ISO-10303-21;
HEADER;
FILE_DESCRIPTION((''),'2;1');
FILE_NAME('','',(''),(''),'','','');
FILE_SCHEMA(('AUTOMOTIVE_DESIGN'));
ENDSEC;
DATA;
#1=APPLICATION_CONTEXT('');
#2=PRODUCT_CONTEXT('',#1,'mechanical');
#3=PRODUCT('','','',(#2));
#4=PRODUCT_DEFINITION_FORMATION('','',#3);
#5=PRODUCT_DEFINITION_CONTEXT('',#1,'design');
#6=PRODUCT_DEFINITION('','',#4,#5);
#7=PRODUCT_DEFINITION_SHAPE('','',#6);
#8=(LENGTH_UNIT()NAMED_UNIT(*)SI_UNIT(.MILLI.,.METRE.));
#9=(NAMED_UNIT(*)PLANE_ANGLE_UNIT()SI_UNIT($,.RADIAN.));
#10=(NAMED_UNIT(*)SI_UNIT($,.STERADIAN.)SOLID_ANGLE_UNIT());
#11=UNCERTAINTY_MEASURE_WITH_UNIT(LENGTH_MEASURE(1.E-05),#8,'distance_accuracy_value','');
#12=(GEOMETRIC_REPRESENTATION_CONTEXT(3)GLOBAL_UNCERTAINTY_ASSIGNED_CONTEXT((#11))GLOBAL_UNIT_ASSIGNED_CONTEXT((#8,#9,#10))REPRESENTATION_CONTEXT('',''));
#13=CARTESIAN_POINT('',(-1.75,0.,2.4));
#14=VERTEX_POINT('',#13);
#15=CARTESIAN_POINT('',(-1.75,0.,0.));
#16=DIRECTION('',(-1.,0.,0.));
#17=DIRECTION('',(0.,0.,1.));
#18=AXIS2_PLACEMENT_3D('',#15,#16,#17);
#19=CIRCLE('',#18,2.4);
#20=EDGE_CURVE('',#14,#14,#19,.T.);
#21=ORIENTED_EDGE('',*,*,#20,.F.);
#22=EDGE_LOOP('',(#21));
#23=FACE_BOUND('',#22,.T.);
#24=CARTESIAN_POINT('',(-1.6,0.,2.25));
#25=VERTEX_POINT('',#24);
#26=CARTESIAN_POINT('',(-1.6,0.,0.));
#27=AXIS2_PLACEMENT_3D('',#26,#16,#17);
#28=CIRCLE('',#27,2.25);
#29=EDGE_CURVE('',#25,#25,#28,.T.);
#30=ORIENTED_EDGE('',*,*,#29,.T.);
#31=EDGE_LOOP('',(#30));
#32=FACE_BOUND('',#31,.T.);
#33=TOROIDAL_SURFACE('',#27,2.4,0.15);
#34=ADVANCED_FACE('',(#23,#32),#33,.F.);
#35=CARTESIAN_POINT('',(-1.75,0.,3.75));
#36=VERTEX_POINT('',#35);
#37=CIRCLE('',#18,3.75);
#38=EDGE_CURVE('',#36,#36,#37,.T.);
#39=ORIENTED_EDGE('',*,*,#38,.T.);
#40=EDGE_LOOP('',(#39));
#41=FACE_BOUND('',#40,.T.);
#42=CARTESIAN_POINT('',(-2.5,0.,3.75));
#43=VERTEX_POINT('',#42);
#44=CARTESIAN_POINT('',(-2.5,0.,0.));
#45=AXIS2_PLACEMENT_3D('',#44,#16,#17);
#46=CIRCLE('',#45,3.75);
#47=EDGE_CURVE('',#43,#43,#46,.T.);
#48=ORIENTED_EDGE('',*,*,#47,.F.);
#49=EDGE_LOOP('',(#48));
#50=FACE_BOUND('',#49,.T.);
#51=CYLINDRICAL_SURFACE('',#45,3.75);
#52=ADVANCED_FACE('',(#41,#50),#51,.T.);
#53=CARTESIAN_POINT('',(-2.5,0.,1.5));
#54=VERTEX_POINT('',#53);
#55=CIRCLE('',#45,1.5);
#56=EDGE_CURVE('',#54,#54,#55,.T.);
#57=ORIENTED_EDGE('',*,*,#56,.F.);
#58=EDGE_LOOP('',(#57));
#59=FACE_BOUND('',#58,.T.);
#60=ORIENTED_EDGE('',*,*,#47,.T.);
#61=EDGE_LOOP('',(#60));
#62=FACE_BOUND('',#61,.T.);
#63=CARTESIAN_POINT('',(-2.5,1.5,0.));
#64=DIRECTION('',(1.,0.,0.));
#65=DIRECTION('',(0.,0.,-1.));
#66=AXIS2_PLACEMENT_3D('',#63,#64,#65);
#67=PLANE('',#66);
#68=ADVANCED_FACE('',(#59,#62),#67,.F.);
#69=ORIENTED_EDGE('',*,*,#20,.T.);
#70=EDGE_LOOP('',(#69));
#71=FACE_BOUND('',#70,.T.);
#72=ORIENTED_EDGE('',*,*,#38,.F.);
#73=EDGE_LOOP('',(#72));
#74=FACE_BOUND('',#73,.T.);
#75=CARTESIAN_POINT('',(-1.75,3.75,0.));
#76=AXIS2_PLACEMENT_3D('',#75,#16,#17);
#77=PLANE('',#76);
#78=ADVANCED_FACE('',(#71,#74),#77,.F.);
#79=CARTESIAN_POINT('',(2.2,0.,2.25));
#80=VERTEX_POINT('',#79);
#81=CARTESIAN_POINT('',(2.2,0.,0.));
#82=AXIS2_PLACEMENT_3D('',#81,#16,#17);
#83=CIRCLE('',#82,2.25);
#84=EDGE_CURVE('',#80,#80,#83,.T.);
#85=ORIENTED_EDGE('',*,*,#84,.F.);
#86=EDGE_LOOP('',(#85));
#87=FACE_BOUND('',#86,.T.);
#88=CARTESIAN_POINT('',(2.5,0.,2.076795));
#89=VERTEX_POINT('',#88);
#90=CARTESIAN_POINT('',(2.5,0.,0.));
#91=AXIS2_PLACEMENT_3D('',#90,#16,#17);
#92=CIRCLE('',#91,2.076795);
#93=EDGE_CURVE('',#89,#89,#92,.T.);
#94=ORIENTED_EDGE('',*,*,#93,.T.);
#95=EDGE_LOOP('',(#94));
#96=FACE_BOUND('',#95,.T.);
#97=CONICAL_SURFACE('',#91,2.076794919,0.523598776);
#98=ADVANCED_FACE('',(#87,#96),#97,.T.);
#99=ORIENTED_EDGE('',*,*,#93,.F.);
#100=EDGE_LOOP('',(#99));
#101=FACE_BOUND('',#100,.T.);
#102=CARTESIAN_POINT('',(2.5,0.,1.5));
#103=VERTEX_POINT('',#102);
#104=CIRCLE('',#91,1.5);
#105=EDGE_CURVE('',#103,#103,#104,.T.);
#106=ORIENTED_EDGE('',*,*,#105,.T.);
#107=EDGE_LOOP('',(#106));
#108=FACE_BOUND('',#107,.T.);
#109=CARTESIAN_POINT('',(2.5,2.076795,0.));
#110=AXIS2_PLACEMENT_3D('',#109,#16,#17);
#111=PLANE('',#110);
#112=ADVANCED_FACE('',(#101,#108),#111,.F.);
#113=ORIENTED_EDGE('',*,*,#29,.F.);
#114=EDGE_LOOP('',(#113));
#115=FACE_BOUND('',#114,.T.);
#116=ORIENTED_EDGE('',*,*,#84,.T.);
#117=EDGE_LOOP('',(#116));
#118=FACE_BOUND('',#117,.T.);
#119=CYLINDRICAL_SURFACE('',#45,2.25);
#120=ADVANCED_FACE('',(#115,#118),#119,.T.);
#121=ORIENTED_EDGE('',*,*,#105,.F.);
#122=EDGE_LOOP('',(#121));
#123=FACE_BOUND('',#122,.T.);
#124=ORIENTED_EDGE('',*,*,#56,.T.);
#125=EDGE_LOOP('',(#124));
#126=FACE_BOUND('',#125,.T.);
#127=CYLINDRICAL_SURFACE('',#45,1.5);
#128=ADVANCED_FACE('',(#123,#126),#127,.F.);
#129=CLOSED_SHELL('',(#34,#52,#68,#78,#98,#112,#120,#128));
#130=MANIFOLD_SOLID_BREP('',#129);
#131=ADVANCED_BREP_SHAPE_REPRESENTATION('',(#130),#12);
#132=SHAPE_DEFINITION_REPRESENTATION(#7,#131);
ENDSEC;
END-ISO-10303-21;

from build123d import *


with BuildPart() as part:
    # Sketch3 → Revolve1 (revolve)
    with BuildSketch(Plane.XY, mode=Mode.PRIVATE) as revolve1_sk:
        with BuildLine():
            Line((-1.6, 2.25), (2.2, 2.25))
            Line((2.2, 2.25), (2.5, 2.076794919))
            Line((2.5, 2.076794919), (2.5, 1.5))
            Line((2.5, 1.5), (-2.5, 1.5))
            Line((-2.5, 1.5), (-2.5, 3.75))
            Line((-2.5, 3.75), (-1.75, 3.75))
            Line((-1.75, 3.75), (-1.75, 2.4))
            ThreePointArc((-1.75, 2.4), (-1.706066017, 2.293933983), (-1.6, 2.25))
        make_face()
    revolve(revolve1_sk.sketch.rotate(Axis((-2.5, 0, 0), (1, 0, 0)), 90), axis=Axis((-2.5, 0, 0), (1, 0, 0)))


solid = part.part
